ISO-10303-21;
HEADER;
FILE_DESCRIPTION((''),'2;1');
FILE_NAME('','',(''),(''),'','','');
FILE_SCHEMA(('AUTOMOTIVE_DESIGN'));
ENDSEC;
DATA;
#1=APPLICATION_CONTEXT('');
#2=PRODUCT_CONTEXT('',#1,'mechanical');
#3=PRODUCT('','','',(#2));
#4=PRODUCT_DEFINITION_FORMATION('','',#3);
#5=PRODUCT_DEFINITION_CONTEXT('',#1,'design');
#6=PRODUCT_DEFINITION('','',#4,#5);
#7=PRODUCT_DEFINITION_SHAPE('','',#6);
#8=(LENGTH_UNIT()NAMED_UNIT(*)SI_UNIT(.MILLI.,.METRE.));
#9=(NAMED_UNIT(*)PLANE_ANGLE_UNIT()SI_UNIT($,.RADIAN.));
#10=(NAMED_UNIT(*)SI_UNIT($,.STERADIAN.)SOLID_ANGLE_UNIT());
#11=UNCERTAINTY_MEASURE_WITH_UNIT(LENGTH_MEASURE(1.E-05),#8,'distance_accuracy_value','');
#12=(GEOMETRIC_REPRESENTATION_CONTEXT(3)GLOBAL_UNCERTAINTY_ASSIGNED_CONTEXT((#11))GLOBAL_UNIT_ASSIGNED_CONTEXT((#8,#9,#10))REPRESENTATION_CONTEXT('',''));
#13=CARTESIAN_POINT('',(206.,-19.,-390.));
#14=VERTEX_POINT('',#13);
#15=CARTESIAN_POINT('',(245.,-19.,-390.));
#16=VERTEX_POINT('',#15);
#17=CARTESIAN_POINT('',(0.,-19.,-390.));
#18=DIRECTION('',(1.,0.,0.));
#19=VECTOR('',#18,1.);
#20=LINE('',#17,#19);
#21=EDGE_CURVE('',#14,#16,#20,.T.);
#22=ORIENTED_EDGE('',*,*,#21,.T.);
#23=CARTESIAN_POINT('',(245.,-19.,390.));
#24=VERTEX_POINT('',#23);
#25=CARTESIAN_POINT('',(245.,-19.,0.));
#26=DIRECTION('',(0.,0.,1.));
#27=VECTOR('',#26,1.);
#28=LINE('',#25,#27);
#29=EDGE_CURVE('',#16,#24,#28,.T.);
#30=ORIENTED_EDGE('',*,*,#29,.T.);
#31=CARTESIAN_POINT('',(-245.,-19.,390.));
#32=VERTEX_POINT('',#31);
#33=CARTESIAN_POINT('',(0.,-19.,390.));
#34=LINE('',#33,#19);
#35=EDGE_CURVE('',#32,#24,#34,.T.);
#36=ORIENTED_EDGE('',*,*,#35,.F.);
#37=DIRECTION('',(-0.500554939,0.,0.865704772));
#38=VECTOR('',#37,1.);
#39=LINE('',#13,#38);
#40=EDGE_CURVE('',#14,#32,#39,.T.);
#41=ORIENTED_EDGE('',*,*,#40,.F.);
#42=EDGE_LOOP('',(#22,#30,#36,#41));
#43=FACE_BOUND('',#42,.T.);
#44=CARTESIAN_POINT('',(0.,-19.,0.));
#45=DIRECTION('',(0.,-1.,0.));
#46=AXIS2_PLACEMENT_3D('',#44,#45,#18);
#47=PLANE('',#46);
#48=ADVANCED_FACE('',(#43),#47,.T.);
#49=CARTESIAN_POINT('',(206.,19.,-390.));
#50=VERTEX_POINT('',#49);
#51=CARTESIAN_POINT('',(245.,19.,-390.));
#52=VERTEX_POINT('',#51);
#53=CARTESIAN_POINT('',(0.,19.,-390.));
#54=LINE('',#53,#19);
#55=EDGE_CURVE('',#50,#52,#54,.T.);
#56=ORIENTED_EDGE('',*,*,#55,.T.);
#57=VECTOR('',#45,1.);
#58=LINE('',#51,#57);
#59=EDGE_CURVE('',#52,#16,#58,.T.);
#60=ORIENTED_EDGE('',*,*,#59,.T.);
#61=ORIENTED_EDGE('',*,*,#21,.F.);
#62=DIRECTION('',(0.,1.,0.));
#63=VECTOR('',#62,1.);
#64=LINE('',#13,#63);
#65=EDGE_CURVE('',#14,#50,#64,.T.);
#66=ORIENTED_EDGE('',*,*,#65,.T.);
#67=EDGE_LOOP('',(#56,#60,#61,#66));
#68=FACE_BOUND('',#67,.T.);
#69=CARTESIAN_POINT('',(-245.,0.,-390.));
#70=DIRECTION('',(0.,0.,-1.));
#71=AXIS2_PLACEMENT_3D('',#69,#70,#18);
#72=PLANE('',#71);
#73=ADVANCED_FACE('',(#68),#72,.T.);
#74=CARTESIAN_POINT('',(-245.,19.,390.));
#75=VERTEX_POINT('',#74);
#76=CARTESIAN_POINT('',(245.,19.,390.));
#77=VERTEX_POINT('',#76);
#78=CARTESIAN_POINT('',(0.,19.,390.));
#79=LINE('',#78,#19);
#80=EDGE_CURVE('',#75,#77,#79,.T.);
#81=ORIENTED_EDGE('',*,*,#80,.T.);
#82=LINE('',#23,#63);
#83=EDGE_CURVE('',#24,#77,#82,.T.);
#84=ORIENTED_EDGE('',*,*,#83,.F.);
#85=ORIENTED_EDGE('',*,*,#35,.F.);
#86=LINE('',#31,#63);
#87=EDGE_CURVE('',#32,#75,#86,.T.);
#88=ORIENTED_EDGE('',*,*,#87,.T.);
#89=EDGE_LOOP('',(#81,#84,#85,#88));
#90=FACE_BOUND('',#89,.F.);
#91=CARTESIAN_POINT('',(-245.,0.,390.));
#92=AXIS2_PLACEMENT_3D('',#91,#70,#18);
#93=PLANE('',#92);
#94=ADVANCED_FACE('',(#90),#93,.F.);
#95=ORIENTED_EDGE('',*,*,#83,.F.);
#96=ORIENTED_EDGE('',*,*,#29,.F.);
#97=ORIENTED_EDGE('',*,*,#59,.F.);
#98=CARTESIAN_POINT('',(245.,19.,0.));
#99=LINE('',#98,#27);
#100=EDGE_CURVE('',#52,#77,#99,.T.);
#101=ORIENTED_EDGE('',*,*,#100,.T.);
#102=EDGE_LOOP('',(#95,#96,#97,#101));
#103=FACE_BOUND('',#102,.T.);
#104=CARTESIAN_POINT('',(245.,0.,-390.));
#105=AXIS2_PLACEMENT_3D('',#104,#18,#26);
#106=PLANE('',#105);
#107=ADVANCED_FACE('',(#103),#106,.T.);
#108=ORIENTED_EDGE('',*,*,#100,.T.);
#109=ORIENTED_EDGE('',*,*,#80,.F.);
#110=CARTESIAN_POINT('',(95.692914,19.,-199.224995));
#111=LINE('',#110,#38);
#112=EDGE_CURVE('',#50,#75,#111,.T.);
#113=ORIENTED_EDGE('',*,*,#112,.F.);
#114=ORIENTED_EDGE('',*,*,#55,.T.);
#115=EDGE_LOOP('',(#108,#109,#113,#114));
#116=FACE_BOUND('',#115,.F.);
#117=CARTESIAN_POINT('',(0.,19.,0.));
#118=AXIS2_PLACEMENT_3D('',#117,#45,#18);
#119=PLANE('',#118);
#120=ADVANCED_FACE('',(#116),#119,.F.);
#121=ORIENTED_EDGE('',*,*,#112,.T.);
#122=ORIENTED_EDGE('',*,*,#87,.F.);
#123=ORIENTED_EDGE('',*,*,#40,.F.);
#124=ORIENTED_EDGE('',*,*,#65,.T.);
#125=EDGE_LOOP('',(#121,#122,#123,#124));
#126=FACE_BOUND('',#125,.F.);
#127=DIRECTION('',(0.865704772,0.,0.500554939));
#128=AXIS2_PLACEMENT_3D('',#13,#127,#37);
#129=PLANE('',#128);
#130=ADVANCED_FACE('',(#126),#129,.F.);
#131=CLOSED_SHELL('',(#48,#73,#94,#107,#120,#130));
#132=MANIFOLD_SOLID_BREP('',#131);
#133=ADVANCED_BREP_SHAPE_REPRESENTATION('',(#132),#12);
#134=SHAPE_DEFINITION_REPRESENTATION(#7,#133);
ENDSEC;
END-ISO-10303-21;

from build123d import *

# Parameters (mm, degrees)
F0_W     = 490
F0_H     = 780
F1_DEPTH = 19
F3_DEPTH = 38.001


with BuildPart() as f1:
    # F0 (on Front) → F1 (new body, symmetric)
    with BuildSketch(Plane.XZ):
        Rectangle(F0_W, F0_H)
    extrude(amount=F1_DEPTH, both=True)

    # F2 (on face) → F3 (cut, through all)
    with BuildSketch(Plane.XZ.offset(19)):
        Polygon((206, -390), (-245, 390), (-245, -390), align=None)
    extrude(amount=-F3_DEPTH, mode=Mode.SUBTRACT)


solid = f1.part
